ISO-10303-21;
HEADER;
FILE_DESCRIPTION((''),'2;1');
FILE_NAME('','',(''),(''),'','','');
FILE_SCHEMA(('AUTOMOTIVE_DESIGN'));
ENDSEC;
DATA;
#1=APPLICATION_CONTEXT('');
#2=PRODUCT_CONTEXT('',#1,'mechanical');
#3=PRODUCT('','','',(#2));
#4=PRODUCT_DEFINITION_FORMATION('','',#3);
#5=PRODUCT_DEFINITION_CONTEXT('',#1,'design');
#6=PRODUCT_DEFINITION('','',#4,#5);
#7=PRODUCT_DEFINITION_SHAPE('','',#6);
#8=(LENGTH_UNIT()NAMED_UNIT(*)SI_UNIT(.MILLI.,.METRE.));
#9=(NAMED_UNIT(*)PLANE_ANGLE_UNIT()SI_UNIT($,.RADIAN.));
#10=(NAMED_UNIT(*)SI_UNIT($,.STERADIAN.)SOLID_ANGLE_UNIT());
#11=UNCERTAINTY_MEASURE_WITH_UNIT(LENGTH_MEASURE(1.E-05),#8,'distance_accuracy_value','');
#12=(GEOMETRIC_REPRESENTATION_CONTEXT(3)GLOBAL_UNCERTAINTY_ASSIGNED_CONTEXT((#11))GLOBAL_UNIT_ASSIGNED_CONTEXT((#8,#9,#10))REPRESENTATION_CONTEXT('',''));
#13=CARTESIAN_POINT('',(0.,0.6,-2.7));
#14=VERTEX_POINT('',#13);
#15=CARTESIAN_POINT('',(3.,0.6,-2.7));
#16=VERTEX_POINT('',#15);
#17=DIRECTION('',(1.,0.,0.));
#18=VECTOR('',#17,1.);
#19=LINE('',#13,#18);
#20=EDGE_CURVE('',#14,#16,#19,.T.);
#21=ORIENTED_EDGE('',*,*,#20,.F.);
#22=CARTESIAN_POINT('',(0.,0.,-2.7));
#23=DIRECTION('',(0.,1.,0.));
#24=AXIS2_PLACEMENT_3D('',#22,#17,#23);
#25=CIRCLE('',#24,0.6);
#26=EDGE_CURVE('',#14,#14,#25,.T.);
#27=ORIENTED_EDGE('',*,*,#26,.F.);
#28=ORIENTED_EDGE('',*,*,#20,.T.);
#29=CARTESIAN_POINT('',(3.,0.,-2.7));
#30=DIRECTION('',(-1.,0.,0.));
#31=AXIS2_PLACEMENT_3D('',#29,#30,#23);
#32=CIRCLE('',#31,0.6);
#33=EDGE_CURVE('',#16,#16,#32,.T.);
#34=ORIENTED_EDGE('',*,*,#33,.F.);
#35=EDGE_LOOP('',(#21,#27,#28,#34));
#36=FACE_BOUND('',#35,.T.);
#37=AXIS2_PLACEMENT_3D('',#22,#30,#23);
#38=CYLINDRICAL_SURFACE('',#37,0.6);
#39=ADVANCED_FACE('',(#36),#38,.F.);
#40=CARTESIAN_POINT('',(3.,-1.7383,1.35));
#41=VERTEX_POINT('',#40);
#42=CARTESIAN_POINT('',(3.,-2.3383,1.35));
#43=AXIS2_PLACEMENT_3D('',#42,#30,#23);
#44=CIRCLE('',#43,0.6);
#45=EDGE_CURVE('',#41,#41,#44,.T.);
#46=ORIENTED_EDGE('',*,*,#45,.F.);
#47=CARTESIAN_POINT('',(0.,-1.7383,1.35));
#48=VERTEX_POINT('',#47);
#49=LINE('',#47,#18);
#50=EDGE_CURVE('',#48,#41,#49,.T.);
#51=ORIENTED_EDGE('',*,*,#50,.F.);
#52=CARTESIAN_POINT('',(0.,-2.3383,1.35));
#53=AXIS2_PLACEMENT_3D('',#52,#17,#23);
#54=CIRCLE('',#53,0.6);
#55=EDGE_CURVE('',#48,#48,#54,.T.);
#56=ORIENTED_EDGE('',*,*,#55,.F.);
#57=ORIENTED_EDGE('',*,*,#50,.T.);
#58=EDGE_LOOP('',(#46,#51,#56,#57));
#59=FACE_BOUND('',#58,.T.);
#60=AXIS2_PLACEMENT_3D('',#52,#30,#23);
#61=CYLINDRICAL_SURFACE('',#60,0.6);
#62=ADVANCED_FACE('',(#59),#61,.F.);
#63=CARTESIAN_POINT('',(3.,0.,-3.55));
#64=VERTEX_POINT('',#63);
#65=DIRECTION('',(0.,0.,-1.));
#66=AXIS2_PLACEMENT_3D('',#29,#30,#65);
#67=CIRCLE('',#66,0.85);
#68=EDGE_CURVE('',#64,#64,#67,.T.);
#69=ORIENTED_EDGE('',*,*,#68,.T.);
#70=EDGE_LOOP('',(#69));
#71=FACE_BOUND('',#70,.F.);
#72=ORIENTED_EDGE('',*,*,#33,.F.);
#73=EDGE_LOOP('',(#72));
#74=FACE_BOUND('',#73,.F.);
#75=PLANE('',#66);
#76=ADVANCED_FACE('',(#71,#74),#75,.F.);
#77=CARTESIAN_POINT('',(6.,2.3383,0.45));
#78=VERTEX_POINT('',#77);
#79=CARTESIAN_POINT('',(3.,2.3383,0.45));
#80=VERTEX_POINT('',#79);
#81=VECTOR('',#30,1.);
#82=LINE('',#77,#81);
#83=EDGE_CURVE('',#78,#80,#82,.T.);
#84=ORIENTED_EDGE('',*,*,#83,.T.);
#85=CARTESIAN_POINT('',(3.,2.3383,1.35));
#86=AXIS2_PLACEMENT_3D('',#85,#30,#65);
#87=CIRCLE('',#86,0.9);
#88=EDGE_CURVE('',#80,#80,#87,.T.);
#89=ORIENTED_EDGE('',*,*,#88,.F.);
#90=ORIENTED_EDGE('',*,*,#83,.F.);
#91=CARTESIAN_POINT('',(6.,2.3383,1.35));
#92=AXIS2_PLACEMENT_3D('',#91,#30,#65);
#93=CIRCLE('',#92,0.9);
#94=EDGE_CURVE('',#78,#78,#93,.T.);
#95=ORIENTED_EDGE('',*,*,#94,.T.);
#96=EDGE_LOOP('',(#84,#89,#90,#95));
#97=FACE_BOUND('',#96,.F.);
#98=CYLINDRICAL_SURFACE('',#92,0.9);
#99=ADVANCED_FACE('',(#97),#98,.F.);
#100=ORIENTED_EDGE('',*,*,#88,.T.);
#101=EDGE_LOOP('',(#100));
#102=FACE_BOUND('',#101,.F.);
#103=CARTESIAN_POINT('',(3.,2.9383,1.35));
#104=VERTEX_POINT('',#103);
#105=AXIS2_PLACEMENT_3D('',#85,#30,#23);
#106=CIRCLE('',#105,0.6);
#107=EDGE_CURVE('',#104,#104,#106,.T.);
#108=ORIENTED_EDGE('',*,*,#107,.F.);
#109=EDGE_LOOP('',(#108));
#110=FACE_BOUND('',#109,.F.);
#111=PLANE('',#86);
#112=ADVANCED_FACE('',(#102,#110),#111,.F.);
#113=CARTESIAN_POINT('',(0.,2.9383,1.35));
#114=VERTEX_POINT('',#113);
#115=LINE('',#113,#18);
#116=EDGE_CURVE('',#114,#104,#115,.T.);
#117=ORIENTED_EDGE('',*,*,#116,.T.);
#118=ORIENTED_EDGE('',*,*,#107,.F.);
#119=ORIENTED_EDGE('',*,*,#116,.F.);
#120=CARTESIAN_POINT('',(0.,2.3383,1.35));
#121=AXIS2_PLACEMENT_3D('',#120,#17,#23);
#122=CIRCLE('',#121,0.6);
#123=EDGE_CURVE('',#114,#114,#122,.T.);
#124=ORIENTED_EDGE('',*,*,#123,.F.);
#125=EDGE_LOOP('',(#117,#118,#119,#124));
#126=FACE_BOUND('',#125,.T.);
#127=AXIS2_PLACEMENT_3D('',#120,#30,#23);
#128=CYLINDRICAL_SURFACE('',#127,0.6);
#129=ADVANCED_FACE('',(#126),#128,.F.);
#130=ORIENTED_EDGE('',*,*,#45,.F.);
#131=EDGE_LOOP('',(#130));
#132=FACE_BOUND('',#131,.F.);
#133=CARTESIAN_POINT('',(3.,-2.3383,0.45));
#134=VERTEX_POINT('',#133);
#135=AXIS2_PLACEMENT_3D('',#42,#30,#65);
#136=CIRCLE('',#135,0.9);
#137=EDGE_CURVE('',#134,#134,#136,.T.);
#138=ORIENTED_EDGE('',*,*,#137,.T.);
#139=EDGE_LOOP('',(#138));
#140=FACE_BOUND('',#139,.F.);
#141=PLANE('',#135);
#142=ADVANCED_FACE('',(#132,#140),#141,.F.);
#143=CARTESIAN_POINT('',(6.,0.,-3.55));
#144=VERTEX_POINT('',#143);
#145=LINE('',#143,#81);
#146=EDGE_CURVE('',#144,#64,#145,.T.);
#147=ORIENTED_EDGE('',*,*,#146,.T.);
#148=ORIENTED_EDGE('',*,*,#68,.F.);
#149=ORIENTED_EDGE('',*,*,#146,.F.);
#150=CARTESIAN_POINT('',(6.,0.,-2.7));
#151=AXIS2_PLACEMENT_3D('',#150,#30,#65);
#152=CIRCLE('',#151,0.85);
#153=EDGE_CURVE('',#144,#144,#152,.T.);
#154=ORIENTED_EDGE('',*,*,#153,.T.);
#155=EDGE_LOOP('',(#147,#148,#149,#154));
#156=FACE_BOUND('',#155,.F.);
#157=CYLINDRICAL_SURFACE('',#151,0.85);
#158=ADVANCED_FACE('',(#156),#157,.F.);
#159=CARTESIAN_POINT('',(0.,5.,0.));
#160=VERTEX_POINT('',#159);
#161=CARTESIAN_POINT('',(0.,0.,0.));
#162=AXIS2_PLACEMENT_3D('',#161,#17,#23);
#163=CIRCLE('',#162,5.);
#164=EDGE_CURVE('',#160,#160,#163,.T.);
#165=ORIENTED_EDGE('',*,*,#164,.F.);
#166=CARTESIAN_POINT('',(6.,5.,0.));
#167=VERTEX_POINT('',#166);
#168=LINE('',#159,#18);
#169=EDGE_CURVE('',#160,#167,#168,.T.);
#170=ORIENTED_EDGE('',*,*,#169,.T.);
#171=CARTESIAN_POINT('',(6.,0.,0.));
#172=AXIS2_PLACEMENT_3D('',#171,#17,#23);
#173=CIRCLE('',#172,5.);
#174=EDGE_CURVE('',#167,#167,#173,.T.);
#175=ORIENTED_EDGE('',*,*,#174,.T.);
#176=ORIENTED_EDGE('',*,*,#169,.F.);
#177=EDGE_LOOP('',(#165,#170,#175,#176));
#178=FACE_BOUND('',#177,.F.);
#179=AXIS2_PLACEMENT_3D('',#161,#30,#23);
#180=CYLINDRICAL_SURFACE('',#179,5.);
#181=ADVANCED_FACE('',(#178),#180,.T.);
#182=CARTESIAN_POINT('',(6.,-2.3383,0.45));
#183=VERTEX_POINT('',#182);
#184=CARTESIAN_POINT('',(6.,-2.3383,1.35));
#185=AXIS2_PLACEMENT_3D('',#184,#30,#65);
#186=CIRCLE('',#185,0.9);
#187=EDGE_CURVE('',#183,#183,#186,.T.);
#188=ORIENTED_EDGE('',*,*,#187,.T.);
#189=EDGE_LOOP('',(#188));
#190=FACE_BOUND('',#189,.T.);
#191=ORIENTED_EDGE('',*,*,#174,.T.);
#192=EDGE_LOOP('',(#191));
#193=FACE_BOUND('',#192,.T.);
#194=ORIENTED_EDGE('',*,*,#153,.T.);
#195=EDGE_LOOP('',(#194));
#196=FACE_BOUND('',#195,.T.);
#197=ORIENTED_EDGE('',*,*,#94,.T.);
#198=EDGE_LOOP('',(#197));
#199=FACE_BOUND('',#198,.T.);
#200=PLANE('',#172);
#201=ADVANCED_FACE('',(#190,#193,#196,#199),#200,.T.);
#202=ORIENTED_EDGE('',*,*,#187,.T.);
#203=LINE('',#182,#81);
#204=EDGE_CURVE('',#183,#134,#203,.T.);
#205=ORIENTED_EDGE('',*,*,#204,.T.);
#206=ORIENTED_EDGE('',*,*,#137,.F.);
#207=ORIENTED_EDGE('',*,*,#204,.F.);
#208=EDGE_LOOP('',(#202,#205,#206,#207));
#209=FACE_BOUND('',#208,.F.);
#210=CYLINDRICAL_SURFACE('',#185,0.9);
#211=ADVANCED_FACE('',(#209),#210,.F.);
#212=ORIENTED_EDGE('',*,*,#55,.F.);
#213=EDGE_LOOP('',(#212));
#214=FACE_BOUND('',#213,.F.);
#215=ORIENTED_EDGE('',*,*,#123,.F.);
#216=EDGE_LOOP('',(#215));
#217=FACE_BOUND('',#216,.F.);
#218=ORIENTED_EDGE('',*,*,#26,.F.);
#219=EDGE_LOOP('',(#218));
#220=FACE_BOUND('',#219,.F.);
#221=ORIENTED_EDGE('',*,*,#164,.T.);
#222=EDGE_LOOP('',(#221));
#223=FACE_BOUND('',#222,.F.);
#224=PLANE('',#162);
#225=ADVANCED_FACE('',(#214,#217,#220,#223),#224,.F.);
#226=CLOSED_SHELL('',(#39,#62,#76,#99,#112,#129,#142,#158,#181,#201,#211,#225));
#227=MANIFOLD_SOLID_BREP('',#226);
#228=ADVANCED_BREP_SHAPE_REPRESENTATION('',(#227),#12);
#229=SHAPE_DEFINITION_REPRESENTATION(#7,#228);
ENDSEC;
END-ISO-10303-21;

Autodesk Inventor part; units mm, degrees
ref_plane "YZ Plane" through (0, 0, 0) normal (1, 0, 0) x (0, 1, 0)
ref_plane "XZ Plane" through (0, 0, 0) normal (0, 1, 0) x (-1, 0, 0)
ref_plane "XY Plane" through (0, 0, 0) normal (0, 0, 1) x (1, 0, 0)
sketch "Эскиз1" plane through (0, 0, 0) normal (1, 0, 0) x (0, 1, 0)
  circle A0 centre (0, 0) radius 5
  circle A1 centre (0, -2.7) radius 0.6
  circle A2 centre (0, 0) radius 2.7 construction
  circle A3 centre (-2.3383, 1.35) radius 0.6
  circle A4 centre (2.3383, 1.35) radius 0.6
  line L0 (0, 0) -> (5.4782, 3.1628) construction
  line L1 (0, 0) -> (-5.2011, 3.0029) construction
  line L2 (0, 0) -> (5.5612, 0) construction
  point P0 (2.3383, 1.35)
  dimension "d1" = 10
  dimension "d3" = 1.2
  dimension "d24" = 5.4
  dimension "d25" = 1.2
  dimension "d26" = 1.2
  dimension "d53" = 120
  dimension "d54" = 30
extrude "Выдавливание1" add sketch "Эскиз1" along normal blind 6 contours A0 | A3 | A4
sketch "Эскиз4" plane through (6, 0, 0) normal (1, 0, 0) x (0, 0, -1)
  circle A0 centre (2.7, 0) radius 0.6 projected
  point P0 (-1.35, 2.3383)
  point P1 (-1.35, 2.3383)
hole "Отверстие2" at (6, 0, -2.7) direction (-1, 0, 0) diameter 1.7 depth 3
extrude "Выдавливание2" cut sketch "Эскиз1" along normal blind 6 contours A3 | A4
sketch "Эскиз2" plane through (6, 0, 0) normal (1, 0, 0) x (0, 0, -1)
  point P0 (0, 0)
  point P1 (-1.35, 2.3383)
  point P2 (-1.35, 2.3383)
hole "Отверстие4" at (6, 2.3383, 1.35) direction (-1, 0, 0) diameter 1.8 depth 3
sketch "Эскиз3" plane through (6, 0, 0) normal (1, 0, 0) x (0, 0, -1)
  point P0 (0, 0)
  point P1 (-1.35, -2.3383)
  point P2 (-1.35, -2.3383)
hole "Отверстие5" at (6, -2.3383, 1.35) direction (-1, 0, 0) diameter 1.8 depth 3
equation "\"d1\" = inside"
equation "\"d3\" = 2 * pin_small_rad"
equation "\"d17\" = pin_big_dia"
equation "\"inside\" = 10"
equation "\"pin_small_rad\" = 0.6"
equation "\"pin_big_dia\" = 1.7"
properties part number "каркас" material "Пластмасса, непрозрачная, черная"
